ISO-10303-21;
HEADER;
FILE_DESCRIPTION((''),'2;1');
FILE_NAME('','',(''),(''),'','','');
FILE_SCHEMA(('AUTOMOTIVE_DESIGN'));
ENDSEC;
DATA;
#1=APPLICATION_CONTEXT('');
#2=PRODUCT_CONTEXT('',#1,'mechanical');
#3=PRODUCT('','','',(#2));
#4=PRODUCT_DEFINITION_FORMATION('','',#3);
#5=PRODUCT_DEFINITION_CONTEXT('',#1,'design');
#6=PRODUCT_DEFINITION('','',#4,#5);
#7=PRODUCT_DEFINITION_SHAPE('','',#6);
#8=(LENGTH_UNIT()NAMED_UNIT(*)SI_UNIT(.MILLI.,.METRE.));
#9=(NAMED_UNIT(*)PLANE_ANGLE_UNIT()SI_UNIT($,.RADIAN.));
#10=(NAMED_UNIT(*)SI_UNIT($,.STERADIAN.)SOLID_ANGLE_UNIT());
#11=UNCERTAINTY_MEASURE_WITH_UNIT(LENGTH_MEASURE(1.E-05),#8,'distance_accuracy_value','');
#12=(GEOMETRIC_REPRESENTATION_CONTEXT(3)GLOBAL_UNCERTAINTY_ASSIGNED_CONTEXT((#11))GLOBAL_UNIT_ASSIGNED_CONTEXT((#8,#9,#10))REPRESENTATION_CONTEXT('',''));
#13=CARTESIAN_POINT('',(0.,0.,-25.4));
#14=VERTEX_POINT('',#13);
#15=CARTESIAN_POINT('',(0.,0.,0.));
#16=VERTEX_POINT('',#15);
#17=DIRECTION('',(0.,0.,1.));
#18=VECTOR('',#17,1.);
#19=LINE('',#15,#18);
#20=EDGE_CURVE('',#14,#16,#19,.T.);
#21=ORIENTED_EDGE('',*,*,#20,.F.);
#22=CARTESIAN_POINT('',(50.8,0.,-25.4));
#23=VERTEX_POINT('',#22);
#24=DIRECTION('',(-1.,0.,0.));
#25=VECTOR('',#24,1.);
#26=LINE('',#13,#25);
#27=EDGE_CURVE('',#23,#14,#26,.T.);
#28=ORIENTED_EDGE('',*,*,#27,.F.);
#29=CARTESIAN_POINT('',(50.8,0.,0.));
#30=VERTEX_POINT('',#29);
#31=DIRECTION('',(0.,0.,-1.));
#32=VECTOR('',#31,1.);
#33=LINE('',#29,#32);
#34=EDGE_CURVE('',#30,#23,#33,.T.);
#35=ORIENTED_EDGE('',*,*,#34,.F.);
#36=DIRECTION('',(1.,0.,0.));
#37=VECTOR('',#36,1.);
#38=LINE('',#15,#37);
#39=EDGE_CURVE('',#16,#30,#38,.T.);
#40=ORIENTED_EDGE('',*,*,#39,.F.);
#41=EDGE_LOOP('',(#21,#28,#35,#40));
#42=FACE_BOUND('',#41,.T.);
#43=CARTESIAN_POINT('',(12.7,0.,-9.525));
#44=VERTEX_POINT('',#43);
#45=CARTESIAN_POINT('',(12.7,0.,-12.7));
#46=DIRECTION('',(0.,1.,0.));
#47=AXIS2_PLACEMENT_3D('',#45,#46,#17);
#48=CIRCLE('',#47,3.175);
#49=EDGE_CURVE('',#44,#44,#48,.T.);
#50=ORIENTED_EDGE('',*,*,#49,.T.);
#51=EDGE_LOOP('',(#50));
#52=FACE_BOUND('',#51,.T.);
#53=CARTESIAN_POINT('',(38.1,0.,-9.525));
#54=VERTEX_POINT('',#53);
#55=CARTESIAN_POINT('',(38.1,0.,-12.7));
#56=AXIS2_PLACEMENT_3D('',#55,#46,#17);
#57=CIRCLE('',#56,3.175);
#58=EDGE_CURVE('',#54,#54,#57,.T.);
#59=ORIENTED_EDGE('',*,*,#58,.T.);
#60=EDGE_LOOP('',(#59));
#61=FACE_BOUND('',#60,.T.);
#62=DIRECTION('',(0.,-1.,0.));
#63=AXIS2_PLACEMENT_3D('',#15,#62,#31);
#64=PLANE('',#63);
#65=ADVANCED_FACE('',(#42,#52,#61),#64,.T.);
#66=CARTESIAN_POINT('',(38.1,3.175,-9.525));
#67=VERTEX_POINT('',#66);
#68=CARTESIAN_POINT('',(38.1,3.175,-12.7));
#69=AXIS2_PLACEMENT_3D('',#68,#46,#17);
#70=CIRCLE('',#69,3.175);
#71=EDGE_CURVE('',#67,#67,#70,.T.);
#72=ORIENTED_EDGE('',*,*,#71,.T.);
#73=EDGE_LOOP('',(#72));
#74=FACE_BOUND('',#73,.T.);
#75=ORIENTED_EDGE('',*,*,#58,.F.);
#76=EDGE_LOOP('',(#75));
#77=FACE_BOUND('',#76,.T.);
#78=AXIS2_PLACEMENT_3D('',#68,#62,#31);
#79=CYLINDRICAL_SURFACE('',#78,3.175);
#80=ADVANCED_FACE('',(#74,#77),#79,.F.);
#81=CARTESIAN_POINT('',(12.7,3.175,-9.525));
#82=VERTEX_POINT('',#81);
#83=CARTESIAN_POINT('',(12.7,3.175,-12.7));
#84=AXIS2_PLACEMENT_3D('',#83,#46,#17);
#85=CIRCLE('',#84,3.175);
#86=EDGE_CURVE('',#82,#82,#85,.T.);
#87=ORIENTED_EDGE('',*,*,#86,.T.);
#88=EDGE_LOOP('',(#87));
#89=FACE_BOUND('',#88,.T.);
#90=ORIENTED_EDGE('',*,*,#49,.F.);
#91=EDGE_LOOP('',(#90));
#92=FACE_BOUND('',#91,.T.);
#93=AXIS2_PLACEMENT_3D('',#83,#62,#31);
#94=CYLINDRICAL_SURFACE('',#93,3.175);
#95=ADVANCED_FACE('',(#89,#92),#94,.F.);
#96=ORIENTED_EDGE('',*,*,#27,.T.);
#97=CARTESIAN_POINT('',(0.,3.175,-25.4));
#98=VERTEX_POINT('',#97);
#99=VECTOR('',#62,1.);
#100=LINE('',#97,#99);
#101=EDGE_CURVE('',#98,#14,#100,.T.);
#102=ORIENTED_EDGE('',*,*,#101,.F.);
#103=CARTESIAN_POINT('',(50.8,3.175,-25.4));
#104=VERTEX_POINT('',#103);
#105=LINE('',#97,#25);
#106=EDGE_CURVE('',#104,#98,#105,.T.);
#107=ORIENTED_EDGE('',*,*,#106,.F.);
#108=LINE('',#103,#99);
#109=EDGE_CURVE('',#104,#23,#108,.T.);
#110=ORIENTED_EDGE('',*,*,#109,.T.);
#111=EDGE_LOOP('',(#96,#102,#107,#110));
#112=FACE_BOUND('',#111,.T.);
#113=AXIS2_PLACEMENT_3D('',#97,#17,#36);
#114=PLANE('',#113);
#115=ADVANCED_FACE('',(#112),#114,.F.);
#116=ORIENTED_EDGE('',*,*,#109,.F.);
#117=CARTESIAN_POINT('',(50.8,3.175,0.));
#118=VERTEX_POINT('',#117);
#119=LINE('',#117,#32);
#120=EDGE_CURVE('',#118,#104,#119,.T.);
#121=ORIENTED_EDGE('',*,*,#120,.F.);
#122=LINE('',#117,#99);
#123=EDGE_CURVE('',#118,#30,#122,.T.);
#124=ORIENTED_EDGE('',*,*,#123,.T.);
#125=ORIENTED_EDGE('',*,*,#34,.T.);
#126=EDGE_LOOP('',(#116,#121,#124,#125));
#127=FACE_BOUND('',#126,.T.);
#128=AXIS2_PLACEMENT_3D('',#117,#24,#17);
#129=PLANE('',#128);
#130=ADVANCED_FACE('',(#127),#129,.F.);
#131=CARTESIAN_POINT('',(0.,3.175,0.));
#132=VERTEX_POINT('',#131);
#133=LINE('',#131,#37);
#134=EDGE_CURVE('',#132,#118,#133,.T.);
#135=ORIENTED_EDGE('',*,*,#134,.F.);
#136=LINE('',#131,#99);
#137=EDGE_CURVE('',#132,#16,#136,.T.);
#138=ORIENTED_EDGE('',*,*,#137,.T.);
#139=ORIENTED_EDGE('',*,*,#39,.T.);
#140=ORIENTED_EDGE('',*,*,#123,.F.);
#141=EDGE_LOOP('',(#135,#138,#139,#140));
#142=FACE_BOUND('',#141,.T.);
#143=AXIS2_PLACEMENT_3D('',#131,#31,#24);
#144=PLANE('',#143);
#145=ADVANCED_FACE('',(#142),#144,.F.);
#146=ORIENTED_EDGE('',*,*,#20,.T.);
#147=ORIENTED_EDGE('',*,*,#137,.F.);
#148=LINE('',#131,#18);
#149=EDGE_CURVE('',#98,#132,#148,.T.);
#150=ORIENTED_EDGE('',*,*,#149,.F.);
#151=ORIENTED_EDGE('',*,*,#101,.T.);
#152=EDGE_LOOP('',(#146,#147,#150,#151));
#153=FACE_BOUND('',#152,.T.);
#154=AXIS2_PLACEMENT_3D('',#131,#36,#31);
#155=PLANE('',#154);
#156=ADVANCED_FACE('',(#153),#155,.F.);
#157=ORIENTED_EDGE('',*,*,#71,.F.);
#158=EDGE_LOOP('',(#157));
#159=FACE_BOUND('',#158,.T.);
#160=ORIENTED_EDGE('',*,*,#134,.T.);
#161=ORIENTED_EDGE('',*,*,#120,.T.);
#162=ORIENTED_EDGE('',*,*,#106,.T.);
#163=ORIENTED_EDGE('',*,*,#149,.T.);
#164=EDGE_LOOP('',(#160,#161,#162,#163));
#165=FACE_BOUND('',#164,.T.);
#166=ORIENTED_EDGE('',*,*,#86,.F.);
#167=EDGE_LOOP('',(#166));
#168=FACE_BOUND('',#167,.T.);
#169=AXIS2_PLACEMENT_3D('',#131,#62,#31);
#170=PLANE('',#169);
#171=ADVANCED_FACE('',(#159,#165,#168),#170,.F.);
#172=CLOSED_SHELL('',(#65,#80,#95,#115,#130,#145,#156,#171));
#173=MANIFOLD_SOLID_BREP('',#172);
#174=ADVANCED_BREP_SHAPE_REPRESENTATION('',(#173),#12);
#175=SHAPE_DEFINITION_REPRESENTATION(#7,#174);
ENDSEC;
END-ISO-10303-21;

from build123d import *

# Parameters (mm, degrees)
SKETCH1_W           = 50.8
SKETCH1_H           = 25.4
SKETCH1_R           = 3.175
BOSS_EXTRUDE1_DEPTH = 3.175


with BuildPart() as part:
    # Sketch1 → Boss-Extrude1 (new body)
    with BuildSketch(Plane(origin=(0, 0, 0), x_dir=(1, 0, 0), z_dir=(0, 1, 0))):
        with Locations((25.4, 12.7)):
            Rectangle(SKETCH1_W, SKETCH1_H)
        with Locations((12.7, 12.7)):
            Circle(SKETCH1_R, mode=Mode.SUBTRACT)
        with Locations((38.1, 12.7)):
            Circle(SKETCH1_R, mode=Mode.SUBTRACT)
    extrude(amount=BOSS_EXTRUDE1_DEPTH)


solid = part.part
